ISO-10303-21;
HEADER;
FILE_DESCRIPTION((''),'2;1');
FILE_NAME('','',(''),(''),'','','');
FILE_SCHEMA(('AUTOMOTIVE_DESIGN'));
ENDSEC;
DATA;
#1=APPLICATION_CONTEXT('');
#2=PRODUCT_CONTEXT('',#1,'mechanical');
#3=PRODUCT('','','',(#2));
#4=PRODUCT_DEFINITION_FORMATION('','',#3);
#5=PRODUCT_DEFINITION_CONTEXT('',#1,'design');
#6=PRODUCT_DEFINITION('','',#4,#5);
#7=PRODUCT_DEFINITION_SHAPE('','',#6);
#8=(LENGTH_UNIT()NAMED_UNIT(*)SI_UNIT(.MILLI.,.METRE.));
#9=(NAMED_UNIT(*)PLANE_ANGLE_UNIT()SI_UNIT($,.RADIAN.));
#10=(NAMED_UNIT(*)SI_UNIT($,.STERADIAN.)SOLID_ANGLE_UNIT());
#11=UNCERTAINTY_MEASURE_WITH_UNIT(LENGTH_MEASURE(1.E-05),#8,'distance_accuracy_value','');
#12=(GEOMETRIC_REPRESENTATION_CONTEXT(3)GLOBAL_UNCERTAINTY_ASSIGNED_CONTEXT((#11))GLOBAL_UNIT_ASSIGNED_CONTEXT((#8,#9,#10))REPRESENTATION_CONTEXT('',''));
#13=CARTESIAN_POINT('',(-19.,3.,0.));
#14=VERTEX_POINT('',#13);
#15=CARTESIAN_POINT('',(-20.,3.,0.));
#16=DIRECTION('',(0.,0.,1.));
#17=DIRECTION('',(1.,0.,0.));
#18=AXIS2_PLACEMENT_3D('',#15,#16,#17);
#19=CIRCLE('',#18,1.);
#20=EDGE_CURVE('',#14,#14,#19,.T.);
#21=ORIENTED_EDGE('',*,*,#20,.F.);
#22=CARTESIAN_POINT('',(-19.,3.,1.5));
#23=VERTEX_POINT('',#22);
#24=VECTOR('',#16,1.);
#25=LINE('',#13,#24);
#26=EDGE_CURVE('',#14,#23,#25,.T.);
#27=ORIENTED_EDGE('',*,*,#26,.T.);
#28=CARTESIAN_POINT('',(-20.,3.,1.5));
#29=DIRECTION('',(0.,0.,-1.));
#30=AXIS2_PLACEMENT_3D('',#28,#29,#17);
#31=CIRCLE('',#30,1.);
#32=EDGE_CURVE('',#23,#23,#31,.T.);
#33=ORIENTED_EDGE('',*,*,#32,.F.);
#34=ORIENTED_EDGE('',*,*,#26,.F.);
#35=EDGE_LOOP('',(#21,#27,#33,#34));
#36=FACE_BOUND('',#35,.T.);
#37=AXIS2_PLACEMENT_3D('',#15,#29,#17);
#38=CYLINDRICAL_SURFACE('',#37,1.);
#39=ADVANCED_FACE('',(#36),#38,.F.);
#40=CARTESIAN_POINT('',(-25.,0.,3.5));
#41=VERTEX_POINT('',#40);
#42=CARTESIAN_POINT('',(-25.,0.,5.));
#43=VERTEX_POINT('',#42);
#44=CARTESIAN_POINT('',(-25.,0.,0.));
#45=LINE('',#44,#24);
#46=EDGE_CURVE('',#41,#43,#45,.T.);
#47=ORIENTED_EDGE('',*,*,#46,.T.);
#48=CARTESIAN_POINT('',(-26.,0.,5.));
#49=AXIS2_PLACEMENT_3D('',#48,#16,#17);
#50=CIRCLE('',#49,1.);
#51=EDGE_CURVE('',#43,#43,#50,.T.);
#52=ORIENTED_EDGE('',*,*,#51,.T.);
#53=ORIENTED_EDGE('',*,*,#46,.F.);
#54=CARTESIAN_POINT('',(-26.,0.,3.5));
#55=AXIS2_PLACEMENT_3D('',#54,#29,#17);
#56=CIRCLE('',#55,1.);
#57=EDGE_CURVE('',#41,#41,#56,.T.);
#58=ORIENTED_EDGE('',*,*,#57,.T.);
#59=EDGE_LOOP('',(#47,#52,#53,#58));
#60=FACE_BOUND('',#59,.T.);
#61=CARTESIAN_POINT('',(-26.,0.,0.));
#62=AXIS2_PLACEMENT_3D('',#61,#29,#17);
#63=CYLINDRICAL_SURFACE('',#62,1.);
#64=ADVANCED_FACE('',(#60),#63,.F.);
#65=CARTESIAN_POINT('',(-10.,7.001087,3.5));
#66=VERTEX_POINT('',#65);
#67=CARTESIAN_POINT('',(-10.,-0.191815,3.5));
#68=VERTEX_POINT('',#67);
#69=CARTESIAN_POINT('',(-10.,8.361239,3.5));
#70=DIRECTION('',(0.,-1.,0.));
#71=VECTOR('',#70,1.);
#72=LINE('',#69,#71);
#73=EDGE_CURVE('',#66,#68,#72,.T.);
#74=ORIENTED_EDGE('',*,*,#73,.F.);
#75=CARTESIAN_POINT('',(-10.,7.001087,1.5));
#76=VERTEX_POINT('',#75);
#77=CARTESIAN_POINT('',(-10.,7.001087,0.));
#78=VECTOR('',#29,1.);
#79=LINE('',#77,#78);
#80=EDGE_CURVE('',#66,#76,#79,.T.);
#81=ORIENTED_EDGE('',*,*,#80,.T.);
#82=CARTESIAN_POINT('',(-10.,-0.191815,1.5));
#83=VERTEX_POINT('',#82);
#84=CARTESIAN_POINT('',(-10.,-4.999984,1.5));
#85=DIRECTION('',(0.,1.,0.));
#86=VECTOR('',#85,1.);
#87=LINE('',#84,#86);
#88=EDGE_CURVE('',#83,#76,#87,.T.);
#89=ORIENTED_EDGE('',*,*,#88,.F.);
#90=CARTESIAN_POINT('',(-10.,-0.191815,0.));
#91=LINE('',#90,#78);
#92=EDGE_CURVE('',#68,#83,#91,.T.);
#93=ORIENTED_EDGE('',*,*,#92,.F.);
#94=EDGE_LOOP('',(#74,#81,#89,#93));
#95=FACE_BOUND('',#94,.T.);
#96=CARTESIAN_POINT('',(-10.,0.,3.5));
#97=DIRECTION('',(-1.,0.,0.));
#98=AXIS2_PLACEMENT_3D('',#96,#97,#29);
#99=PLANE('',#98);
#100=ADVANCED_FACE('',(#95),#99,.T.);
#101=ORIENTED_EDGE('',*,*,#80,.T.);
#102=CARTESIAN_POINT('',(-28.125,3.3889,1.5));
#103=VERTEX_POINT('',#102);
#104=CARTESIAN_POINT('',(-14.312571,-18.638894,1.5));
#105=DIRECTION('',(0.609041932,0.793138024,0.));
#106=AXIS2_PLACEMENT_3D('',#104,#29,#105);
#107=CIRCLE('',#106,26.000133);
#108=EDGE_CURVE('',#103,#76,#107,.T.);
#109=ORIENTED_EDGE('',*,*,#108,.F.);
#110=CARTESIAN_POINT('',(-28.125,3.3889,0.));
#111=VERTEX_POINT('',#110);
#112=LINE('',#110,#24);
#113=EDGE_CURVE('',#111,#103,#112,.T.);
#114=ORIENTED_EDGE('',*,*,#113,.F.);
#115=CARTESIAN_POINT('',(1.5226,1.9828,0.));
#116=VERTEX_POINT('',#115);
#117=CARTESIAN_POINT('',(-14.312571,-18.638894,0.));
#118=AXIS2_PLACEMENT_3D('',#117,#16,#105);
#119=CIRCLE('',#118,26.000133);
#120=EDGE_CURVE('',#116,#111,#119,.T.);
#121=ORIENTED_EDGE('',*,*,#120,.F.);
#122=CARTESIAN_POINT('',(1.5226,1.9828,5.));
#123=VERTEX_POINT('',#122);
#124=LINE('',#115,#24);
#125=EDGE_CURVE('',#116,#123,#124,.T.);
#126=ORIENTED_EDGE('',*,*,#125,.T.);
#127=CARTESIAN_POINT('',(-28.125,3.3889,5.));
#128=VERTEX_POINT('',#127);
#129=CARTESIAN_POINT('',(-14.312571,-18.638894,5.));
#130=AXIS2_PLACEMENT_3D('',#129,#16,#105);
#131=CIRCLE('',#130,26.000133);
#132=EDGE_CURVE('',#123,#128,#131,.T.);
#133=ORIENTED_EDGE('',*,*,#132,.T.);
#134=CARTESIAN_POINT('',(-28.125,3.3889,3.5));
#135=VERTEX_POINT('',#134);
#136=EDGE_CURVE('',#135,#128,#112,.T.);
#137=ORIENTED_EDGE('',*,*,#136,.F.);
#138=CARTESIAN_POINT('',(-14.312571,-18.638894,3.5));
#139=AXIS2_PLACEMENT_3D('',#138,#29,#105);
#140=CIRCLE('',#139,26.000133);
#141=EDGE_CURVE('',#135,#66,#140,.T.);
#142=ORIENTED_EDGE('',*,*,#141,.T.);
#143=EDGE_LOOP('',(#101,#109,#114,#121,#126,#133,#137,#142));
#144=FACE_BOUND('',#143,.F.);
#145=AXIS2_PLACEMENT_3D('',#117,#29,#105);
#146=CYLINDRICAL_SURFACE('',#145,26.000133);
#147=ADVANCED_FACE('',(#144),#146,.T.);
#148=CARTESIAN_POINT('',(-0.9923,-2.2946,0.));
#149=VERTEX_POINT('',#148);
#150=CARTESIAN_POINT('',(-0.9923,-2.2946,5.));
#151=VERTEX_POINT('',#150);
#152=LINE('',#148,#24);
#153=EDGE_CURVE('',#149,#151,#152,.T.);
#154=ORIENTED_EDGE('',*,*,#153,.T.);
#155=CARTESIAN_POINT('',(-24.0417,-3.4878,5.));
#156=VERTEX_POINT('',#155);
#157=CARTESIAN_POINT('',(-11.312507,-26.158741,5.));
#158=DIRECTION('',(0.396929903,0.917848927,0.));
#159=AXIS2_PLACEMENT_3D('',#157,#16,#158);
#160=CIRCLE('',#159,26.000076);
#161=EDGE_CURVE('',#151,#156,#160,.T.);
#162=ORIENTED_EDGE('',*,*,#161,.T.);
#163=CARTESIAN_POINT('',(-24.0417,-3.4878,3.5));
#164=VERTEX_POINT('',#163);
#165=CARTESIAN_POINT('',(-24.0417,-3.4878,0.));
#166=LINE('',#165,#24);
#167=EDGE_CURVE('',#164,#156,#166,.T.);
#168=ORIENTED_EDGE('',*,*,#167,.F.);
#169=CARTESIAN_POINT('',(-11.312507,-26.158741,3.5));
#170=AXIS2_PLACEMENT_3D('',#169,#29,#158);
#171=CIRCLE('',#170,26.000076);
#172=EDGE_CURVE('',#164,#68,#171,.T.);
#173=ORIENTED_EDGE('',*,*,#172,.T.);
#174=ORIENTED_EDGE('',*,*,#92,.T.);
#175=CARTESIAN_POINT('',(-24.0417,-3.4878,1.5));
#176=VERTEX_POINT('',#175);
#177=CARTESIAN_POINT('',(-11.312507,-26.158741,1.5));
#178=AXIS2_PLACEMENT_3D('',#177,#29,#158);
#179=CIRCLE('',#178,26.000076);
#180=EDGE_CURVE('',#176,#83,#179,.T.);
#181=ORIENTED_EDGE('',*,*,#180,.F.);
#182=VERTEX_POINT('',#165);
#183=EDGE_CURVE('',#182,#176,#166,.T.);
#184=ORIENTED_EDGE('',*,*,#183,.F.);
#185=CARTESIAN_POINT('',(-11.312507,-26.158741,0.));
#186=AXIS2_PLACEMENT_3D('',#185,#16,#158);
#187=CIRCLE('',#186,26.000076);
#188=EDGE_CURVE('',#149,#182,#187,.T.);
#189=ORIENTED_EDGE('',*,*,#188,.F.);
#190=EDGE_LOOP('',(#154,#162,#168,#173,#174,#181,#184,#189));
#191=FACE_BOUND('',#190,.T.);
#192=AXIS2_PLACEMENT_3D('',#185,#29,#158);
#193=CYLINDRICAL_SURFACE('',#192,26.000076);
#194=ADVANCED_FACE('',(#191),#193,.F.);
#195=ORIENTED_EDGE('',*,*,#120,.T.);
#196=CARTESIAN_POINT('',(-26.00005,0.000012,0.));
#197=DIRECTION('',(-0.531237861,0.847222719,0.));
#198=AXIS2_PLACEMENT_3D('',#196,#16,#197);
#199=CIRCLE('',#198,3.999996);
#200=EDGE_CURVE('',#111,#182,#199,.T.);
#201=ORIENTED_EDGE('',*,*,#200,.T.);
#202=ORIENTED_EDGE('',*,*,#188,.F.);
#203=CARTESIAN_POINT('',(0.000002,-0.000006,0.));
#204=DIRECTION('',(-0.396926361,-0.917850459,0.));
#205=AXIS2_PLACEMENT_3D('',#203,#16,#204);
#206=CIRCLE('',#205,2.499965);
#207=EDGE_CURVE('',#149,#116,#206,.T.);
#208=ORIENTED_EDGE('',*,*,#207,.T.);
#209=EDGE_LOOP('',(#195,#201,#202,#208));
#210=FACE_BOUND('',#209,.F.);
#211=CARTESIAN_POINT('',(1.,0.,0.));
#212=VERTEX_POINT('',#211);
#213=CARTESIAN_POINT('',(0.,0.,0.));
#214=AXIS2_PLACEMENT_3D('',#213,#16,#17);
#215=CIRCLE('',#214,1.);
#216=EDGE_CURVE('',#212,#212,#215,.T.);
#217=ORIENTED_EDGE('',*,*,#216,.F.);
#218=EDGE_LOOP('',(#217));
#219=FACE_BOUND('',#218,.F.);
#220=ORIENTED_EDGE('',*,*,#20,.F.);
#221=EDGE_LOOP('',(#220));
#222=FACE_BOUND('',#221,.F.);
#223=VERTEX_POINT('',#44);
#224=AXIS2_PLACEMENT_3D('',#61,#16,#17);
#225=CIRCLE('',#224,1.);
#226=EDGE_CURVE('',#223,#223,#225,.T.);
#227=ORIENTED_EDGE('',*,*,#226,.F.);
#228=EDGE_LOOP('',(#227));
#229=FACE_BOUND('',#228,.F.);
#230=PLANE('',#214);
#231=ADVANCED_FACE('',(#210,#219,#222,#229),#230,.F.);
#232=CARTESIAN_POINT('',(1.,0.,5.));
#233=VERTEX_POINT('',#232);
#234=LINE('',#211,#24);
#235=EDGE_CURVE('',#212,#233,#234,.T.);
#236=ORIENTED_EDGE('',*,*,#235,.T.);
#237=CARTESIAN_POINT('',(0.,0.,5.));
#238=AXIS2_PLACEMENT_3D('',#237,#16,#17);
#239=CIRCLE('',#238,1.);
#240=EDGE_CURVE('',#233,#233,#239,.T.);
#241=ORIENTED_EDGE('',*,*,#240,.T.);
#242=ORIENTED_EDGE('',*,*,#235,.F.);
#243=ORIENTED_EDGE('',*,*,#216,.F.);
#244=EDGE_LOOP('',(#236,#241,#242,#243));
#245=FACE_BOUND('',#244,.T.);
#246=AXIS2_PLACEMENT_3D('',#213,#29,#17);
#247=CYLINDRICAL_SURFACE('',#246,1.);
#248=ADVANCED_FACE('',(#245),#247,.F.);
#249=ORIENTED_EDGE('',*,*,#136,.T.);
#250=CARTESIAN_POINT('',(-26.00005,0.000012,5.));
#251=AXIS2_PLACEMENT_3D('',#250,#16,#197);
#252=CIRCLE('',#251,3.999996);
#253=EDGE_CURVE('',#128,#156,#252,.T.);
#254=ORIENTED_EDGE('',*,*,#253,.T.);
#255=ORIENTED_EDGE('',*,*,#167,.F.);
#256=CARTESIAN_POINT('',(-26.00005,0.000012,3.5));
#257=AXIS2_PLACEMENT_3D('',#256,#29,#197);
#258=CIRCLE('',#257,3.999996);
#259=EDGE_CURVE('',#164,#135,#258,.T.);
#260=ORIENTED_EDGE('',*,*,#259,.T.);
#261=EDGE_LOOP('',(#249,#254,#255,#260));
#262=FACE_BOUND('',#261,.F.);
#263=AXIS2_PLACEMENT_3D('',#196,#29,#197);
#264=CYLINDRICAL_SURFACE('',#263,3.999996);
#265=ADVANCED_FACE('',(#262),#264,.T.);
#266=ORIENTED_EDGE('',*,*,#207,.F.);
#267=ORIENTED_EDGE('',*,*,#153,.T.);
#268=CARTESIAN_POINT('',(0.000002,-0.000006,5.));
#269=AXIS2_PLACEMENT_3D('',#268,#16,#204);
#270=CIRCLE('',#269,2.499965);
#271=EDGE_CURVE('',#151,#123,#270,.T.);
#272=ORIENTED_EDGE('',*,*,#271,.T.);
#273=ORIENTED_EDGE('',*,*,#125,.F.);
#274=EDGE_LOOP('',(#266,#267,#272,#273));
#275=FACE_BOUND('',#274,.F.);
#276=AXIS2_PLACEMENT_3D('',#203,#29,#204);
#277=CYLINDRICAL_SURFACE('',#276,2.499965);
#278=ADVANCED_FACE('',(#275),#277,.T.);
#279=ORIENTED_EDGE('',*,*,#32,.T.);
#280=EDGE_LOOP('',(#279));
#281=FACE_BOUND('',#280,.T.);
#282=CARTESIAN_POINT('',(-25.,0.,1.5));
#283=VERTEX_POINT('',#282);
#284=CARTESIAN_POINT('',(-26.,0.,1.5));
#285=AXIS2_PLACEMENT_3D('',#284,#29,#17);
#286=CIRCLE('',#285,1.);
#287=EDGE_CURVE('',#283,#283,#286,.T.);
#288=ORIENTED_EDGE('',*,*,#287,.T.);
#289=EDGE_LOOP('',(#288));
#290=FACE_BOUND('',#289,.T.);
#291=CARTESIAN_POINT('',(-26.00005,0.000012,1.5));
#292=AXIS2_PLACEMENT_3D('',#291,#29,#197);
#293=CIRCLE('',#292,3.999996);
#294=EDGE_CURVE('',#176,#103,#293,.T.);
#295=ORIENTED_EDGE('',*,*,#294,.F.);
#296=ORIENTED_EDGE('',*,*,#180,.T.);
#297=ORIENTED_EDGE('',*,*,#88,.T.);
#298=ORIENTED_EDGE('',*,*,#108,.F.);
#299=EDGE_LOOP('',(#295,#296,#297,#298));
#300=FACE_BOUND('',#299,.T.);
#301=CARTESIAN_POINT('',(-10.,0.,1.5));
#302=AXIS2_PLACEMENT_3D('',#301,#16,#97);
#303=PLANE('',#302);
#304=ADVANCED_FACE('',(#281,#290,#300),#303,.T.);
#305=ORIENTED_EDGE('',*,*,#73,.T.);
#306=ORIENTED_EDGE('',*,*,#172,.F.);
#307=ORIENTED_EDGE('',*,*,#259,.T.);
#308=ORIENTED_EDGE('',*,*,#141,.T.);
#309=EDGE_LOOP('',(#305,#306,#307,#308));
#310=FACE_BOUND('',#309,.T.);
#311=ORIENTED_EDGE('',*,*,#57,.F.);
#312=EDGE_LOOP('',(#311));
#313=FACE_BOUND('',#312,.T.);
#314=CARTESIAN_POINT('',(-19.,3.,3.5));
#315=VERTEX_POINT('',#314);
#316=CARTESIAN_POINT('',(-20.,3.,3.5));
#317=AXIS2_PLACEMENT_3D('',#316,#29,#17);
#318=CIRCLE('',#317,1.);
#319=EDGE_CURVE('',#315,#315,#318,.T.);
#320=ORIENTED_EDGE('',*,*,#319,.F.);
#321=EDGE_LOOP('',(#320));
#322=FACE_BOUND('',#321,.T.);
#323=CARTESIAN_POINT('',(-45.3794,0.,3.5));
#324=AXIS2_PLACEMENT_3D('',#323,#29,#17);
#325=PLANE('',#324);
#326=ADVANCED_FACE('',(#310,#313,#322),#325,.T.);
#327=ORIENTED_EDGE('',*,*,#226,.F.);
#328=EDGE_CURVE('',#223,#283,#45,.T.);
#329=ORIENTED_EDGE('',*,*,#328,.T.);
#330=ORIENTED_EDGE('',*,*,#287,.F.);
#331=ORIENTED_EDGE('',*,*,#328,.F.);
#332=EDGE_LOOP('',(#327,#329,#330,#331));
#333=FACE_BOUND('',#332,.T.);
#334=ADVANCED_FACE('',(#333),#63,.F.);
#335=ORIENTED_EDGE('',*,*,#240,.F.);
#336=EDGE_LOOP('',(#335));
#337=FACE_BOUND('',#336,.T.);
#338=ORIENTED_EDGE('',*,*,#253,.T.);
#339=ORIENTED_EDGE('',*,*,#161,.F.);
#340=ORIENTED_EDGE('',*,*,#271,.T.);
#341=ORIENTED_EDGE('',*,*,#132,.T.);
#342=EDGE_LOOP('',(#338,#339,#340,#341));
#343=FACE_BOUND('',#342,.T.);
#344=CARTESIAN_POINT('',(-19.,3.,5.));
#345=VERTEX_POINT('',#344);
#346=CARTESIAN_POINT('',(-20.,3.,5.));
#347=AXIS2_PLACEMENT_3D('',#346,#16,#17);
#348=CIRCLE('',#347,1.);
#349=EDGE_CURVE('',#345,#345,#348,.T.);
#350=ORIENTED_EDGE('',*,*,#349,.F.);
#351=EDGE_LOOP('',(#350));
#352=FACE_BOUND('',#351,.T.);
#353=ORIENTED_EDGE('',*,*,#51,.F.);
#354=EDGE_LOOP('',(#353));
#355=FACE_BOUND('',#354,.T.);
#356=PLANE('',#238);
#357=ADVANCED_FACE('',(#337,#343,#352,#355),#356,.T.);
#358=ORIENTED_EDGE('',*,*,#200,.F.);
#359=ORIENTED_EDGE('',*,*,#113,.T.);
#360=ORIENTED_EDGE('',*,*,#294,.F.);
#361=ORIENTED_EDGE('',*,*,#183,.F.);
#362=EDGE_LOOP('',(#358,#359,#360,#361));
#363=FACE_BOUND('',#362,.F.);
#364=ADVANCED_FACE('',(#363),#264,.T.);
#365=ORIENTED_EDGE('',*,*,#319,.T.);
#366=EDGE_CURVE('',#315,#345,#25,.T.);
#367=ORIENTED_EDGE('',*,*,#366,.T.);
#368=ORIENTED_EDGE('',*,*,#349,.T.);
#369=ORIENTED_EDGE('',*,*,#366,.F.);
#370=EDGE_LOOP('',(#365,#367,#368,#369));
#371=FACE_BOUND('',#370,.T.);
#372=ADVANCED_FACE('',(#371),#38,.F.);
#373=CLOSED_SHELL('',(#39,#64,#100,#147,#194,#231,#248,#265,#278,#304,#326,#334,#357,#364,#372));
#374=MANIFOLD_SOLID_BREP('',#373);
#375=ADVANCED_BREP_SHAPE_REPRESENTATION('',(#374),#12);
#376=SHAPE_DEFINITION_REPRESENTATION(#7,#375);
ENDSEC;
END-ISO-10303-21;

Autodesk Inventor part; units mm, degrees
ref_plane "Work Plane1" through (0, 0, 0.75) normal (0, 0, 1) x (1, 0, 0)
ref_plane "YZ Plane" through (0, 0, 0) normal (1, 0, 0) x (0, 1, 0)
ref_plane "XZ Plane" through (0, 0, 0) normal (0, 1, 0) x (-1, 0, 0)
sketch "Sketch1" plane through (0, 0, 0) normal (0, 0, 1) x (1, 0, 0)
  circle A0 centre (0, 0) radius 1
  circle A1 centre (-20, 3) radius 1
  circle A2 centre (-26, 0) radius 1
  arc A3 (-0.9923, -2.2946) -> (1.5226, 1.9828) centre (0, 0) ccw
  arc A4 (-28.125, 3.3889) -> (-24.0417, -3.4878) centre (-26, 0) ccw
  arc A5 (1.5226, 1.9828) -> (-28.125, 3.3889) centre (-14.3125, -18.6387) ccw
  arc A6 (-0.9923, -2.2946) -> (-24.0417, -3.4878) centre (-11.3125, -26.1587) ccw
  dimension "d50" = 2
  dimension "d51" = 3
  dimension "d52" = 20
  dimension "d53" = 6
  dimension "d55" = 2.5
  dimension "d56" = 4
  dimension "d57" = 26
  dimension "d58" = 26
extrude "Extrusion1" add sketch "Sketch1" along normal blind 5
sketch "Sketch3" plane through (0, 0, 0) normal (0, 1, 0) x (-1, 0, 0)
  line L0 (10, 1.5) -> (45.3794, 1.5)
  line L1 (45.3794, 1.5) -> (45.3794, 3.5)
  line L2 (45.3794, 3.5) -> (10, 3.5)
  line L3 (10, 3.5) -> (10, 1.5)
  line L4 (-0.0755, 0) -> (-0.0755, 5) projected
  point P0 (0, 0)
  dimension "d34" = 1.5
  dimension "d35" = 10
  dimension "d36" = 2
extrude "Extrusion3" cut sketch "Sketch3" along normal through all both and the other way through all
properties part number "legA_mini"
